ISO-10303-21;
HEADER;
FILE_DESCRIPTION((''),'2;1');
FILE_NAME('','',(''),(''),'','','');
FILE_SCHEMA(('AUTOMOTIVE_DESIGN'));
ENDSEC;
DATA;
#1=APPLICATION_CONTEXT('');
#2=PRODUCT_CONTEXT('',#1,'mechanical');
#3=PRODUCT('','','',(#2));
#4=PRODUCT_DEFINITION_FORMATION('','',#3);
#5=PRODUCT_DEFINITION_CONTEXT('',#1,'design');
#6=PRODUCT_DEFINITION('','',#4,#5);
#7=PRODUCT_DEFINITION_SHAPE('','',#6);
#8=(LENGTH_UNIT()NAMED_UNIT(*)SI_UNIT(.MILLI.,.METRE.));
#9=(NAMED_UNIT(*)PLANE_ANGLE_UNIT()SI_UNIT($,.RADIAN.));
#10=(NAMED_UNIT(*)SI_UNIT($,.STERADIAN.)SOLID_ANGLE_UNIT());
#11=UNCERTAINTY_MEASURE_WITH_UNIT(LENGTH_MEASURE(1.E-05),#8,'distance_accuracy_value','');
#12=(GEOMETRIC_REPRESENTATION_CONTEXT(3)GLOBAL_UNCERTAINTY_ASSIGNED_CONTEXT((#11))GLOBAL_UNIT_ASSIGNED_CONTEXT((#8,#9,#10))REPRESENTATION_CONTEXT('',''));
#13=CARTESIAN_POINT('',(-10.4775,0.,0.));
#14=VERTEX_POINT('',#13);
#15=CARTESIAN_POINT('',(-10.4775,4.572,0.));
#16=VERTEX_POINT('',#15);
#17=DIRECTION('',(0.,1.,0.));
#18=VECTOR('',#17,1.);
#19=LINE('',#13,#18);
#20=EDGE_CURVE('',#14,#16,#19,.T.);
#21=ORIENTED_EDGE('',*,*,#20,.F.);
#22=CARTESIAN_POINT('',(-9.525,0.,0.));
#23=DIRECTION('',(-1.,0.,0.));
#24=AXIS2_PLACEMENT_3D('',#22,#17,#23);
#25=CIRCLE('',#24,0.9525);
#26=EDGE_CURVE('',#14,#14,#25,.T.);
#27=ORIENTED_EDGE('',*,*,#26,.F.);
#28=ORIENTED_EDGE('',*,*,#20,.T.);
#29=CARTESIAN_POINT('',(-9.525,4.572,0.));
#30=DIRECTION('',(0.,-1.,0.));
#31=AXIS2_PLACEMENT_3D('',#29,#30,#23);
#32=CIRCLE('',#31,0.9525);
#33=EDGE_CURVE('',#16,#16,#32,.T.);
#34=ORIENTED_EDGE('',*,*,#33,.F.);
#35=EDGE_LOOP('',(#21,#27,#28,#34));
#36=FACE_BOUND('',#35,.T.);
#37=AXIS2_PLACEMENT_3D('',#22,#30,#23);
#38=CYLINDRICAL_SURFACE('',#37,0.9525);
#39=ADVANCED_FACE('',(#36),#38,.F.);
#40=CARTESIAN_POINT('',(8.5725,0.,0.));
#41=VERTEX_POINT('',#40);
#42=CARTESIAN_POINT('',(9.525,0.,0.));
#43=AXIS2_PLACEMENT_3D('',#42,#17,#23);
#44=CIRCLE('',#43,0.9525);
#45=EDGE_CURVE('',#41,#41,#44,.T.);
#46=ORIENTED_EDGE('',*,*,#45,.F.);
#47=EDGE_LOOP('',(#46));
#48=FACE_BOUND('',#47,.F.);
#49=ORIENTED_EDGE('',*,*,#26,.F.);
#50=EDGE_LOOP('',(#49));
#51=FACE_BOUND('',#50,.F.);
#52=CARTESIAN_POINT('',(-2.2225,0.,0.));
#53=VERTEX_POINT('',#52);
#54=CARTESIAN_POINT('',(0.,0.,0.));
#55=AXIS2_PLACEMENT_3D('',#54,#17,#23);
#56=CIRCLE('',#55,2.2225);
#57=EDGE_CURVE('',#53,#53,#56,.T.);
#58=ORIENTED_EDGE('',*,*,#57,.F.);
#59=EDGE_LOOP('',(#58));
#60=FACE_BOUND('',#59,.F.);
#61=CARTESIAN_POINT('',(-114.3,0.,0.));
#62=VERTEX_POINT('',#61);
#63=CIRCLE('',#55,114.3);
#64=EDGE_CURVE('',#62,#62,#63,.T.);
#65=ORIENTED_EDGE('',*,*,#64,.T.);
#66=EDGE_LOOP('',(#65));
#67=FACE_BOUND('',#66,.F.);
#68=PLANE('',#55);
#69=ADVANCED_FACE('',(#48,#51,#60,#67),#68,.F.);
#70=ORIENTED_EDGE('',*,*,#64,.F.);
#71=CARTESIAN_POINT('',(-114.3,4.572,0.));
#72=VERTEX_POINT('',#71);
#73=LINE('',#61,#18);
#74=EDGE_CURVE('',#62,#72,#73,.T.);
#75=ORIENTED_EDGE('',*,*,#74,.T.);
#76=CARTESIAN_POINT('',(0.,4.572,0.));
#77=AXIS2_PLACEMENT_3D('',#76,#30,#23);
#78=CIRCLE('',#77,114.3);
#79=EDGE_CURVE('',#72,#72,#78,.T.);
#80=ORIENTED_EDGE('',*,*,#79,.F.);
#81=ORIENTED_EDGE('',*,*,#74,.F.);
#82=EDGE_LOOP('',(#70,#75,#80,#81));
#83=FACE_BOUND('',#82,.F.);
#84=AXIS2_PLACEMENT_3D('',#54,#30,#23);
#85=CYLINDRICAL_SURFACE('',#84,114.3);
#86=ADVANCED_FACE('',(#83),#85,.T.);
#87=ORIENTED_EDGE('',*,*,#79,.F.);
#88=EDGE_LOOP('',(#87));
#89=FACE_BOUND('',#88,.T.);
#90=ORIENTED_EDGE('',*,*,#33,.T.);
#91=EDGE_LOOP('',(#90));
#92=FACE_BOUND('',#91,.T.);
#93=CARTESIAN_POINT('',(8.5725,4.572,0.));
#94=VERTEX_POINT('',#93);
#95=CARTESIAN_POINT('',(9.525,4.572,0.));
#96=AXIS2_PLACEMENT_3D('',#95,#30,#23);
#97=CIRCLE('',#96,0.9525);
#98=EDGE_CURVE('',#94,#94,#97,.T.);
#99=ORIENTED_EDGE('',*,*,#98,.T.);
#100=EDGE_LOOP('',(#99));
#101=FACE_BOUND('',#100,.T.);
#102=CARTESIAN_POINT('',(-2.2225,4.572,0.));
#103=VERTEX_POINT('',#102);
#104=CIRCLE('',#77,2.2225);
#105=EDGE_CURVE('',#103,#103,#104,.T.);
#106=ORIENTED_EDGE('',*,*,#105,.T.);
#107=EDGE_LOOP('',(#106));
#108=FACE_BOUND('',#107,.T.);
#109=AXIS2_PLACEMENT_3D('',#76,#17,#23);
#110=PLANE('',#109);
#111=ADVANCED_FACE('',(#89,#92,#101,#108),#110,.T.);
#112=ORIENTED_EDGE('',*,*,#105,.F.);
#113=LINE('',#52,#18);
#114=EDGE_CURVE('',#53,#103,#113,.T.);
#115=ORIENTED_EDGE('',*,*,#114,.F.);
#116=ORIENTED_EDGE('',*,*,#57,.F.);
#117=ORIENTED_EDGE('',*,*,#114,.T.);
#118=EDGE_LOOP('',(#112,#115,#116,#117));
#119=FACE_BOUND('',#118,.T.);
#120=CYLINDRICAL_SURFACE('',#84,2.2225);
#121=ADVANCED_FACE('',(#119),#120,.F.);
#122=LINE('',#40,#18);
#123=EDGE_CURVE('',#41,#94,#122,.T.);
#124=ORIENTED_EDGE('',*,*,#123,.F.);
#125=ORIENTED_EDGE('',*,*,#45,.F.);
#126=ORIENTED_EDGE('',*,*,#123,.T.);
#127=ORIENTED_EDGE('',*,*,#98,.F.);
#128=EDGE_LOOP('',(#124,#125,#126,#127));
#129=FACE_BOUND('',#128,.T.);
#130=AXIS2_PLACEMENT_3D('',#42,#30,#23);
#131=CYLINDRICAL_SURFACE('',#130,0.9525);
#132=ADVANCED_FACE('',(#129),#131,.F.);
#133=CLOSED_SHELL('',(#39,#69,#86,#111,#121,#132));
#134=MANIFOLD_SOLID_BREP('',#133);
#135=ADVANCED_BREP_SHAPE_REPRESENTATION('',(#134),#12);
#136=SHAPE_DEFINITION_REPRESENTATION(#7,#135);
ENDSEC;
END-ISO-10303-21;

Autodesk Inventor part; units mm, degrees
ref_plane "YZ Plane" through (0, 0, 0) normal (1, 0, 0) x (0, 1, 0)
ref_plane "XZ Plane" through (0, 0, 0) normal (0, 1, 0) x (-1, 0, 0)
ref_plane "XY Plane" through (0, 0, 0) normal (0, 0, 1) x (1, 0, 0)
sketch "Sketch1" plane through (0, 0, 0) normal (0, 1, 0) x (-1, 0, 0)
  circle A0 centre (0, 0) radius 114.3
  line L0 (0, 0) -> (80.8223, -80.8223)
  line L1 (0, 0) -> (114.3, 0)
  line L2 (0, 0) -> (80.8223, 80.8223)
  line L3 (0, 0) -> (114.3, 0) construction
  line L4 (0, 0) -> (-80.8223, -80.8223)
  line L5 (0, 0) -> (114.3, 0) construction
  line L6 (0, 0) -> (-80.8223, 80.8223)
  line L7 (0, 0) -> (114.3, 0) construction
  line L8 (0, 0) -> (114.3, 0) construction
  line L9 (0, 0) -> (114.3, 0) construction
  line L10 (0, 0) -> (114.3, 0) construction
  line L11 (0, 114.3) -> (0, 0)
  line L12 (0, 0) -> (-114.3, 0)
  line L13 (0, 0) -> (0, -114.3)
  line L14 (0, 0) -> (114.3, 0) construction
  circle A1 centre (0, 0) radius 2.2225
  line L15 (0, 0) -> (-9.525, 0)
  circle A2 centre (-9.525, 0) radius 0.9525
  line L16 (0, 0) -> (9.525, 0)
  circle A3 centre (9.525, 0) radius 0.9525
  line L17 (80.8223, -80.8223) -> (53.8815, -53.8815)
  line L18 (0, -114.3) -> (0, -76.2)
  line L19 (0, 0) -> (34.0206, -82.1329) construction
  line L20 (0, 0) -> (101.6, 0) construction
  line L21 (0, 0) -> (-34.0206, 82.1329) construction
  line L22 (0, 0) -> (-34.0206, -82.1329) construction
  line L23 (0, 0) -> (34.0206, 82.1329) construction
  line L24 (0, 0) -> (82.1329, -34.0206) construction
  line L25 (0, 0) -> (-82.1329, 34.0206) construction
  line L26 (0, 0) -> (-82.1329, -34.0206) construction
  line L27 (0, 0) -> (82.1329, 34.0206) construction
  circle A4 centre (0, 0) radius 88.9
  dimension "d0" = 228.6
  dimension "d27" = 177.8
  dimension "d1" = 45
  dimension "d2" = 45
  dimension "d3" = 135
  dimension "d4" = 135
  dimension "d12" = 4.445
  dimension "d13" = 9.525
  dimension "d14" = 1.905
  dimension "d15" = 9.525
  dimension "d16" = 1.905
  dimension "d22" = 67.5
  dimension "d23" = 22.5
  dimension "d24" = 22.5
  dimension "d25" = 22.5
  dimension "d26" = 22.5
  dimension "d28" = 22.5
  dimension "d29" = 22.5
  dimension "d30" = 22.5
extrude "Extrusion1" add sketch "Sketch1" along normal blind 4.572 contours L1 A4 L2 A0 | A0 L0 A4 L1 | L2 A4 L11 A0 | A0 L13 A4 L0 | A4 L0 A1 L1 A3 | L1 A3 A1 L2 A4 | L11 A4 L6 A0 | L2 A1 L11 A4 | A0 L4 A4 L13 | A4 L13 A1 L0 | L6 A4 L12 A0 | L11 A1 L6 A4 | A0 L12 A4 L4 | A4 L4 A1 L13 | L6 A1 L12 A2 A4 | A4 L12 A2 A1 L4
properties part number "Zoetrope_Top"
